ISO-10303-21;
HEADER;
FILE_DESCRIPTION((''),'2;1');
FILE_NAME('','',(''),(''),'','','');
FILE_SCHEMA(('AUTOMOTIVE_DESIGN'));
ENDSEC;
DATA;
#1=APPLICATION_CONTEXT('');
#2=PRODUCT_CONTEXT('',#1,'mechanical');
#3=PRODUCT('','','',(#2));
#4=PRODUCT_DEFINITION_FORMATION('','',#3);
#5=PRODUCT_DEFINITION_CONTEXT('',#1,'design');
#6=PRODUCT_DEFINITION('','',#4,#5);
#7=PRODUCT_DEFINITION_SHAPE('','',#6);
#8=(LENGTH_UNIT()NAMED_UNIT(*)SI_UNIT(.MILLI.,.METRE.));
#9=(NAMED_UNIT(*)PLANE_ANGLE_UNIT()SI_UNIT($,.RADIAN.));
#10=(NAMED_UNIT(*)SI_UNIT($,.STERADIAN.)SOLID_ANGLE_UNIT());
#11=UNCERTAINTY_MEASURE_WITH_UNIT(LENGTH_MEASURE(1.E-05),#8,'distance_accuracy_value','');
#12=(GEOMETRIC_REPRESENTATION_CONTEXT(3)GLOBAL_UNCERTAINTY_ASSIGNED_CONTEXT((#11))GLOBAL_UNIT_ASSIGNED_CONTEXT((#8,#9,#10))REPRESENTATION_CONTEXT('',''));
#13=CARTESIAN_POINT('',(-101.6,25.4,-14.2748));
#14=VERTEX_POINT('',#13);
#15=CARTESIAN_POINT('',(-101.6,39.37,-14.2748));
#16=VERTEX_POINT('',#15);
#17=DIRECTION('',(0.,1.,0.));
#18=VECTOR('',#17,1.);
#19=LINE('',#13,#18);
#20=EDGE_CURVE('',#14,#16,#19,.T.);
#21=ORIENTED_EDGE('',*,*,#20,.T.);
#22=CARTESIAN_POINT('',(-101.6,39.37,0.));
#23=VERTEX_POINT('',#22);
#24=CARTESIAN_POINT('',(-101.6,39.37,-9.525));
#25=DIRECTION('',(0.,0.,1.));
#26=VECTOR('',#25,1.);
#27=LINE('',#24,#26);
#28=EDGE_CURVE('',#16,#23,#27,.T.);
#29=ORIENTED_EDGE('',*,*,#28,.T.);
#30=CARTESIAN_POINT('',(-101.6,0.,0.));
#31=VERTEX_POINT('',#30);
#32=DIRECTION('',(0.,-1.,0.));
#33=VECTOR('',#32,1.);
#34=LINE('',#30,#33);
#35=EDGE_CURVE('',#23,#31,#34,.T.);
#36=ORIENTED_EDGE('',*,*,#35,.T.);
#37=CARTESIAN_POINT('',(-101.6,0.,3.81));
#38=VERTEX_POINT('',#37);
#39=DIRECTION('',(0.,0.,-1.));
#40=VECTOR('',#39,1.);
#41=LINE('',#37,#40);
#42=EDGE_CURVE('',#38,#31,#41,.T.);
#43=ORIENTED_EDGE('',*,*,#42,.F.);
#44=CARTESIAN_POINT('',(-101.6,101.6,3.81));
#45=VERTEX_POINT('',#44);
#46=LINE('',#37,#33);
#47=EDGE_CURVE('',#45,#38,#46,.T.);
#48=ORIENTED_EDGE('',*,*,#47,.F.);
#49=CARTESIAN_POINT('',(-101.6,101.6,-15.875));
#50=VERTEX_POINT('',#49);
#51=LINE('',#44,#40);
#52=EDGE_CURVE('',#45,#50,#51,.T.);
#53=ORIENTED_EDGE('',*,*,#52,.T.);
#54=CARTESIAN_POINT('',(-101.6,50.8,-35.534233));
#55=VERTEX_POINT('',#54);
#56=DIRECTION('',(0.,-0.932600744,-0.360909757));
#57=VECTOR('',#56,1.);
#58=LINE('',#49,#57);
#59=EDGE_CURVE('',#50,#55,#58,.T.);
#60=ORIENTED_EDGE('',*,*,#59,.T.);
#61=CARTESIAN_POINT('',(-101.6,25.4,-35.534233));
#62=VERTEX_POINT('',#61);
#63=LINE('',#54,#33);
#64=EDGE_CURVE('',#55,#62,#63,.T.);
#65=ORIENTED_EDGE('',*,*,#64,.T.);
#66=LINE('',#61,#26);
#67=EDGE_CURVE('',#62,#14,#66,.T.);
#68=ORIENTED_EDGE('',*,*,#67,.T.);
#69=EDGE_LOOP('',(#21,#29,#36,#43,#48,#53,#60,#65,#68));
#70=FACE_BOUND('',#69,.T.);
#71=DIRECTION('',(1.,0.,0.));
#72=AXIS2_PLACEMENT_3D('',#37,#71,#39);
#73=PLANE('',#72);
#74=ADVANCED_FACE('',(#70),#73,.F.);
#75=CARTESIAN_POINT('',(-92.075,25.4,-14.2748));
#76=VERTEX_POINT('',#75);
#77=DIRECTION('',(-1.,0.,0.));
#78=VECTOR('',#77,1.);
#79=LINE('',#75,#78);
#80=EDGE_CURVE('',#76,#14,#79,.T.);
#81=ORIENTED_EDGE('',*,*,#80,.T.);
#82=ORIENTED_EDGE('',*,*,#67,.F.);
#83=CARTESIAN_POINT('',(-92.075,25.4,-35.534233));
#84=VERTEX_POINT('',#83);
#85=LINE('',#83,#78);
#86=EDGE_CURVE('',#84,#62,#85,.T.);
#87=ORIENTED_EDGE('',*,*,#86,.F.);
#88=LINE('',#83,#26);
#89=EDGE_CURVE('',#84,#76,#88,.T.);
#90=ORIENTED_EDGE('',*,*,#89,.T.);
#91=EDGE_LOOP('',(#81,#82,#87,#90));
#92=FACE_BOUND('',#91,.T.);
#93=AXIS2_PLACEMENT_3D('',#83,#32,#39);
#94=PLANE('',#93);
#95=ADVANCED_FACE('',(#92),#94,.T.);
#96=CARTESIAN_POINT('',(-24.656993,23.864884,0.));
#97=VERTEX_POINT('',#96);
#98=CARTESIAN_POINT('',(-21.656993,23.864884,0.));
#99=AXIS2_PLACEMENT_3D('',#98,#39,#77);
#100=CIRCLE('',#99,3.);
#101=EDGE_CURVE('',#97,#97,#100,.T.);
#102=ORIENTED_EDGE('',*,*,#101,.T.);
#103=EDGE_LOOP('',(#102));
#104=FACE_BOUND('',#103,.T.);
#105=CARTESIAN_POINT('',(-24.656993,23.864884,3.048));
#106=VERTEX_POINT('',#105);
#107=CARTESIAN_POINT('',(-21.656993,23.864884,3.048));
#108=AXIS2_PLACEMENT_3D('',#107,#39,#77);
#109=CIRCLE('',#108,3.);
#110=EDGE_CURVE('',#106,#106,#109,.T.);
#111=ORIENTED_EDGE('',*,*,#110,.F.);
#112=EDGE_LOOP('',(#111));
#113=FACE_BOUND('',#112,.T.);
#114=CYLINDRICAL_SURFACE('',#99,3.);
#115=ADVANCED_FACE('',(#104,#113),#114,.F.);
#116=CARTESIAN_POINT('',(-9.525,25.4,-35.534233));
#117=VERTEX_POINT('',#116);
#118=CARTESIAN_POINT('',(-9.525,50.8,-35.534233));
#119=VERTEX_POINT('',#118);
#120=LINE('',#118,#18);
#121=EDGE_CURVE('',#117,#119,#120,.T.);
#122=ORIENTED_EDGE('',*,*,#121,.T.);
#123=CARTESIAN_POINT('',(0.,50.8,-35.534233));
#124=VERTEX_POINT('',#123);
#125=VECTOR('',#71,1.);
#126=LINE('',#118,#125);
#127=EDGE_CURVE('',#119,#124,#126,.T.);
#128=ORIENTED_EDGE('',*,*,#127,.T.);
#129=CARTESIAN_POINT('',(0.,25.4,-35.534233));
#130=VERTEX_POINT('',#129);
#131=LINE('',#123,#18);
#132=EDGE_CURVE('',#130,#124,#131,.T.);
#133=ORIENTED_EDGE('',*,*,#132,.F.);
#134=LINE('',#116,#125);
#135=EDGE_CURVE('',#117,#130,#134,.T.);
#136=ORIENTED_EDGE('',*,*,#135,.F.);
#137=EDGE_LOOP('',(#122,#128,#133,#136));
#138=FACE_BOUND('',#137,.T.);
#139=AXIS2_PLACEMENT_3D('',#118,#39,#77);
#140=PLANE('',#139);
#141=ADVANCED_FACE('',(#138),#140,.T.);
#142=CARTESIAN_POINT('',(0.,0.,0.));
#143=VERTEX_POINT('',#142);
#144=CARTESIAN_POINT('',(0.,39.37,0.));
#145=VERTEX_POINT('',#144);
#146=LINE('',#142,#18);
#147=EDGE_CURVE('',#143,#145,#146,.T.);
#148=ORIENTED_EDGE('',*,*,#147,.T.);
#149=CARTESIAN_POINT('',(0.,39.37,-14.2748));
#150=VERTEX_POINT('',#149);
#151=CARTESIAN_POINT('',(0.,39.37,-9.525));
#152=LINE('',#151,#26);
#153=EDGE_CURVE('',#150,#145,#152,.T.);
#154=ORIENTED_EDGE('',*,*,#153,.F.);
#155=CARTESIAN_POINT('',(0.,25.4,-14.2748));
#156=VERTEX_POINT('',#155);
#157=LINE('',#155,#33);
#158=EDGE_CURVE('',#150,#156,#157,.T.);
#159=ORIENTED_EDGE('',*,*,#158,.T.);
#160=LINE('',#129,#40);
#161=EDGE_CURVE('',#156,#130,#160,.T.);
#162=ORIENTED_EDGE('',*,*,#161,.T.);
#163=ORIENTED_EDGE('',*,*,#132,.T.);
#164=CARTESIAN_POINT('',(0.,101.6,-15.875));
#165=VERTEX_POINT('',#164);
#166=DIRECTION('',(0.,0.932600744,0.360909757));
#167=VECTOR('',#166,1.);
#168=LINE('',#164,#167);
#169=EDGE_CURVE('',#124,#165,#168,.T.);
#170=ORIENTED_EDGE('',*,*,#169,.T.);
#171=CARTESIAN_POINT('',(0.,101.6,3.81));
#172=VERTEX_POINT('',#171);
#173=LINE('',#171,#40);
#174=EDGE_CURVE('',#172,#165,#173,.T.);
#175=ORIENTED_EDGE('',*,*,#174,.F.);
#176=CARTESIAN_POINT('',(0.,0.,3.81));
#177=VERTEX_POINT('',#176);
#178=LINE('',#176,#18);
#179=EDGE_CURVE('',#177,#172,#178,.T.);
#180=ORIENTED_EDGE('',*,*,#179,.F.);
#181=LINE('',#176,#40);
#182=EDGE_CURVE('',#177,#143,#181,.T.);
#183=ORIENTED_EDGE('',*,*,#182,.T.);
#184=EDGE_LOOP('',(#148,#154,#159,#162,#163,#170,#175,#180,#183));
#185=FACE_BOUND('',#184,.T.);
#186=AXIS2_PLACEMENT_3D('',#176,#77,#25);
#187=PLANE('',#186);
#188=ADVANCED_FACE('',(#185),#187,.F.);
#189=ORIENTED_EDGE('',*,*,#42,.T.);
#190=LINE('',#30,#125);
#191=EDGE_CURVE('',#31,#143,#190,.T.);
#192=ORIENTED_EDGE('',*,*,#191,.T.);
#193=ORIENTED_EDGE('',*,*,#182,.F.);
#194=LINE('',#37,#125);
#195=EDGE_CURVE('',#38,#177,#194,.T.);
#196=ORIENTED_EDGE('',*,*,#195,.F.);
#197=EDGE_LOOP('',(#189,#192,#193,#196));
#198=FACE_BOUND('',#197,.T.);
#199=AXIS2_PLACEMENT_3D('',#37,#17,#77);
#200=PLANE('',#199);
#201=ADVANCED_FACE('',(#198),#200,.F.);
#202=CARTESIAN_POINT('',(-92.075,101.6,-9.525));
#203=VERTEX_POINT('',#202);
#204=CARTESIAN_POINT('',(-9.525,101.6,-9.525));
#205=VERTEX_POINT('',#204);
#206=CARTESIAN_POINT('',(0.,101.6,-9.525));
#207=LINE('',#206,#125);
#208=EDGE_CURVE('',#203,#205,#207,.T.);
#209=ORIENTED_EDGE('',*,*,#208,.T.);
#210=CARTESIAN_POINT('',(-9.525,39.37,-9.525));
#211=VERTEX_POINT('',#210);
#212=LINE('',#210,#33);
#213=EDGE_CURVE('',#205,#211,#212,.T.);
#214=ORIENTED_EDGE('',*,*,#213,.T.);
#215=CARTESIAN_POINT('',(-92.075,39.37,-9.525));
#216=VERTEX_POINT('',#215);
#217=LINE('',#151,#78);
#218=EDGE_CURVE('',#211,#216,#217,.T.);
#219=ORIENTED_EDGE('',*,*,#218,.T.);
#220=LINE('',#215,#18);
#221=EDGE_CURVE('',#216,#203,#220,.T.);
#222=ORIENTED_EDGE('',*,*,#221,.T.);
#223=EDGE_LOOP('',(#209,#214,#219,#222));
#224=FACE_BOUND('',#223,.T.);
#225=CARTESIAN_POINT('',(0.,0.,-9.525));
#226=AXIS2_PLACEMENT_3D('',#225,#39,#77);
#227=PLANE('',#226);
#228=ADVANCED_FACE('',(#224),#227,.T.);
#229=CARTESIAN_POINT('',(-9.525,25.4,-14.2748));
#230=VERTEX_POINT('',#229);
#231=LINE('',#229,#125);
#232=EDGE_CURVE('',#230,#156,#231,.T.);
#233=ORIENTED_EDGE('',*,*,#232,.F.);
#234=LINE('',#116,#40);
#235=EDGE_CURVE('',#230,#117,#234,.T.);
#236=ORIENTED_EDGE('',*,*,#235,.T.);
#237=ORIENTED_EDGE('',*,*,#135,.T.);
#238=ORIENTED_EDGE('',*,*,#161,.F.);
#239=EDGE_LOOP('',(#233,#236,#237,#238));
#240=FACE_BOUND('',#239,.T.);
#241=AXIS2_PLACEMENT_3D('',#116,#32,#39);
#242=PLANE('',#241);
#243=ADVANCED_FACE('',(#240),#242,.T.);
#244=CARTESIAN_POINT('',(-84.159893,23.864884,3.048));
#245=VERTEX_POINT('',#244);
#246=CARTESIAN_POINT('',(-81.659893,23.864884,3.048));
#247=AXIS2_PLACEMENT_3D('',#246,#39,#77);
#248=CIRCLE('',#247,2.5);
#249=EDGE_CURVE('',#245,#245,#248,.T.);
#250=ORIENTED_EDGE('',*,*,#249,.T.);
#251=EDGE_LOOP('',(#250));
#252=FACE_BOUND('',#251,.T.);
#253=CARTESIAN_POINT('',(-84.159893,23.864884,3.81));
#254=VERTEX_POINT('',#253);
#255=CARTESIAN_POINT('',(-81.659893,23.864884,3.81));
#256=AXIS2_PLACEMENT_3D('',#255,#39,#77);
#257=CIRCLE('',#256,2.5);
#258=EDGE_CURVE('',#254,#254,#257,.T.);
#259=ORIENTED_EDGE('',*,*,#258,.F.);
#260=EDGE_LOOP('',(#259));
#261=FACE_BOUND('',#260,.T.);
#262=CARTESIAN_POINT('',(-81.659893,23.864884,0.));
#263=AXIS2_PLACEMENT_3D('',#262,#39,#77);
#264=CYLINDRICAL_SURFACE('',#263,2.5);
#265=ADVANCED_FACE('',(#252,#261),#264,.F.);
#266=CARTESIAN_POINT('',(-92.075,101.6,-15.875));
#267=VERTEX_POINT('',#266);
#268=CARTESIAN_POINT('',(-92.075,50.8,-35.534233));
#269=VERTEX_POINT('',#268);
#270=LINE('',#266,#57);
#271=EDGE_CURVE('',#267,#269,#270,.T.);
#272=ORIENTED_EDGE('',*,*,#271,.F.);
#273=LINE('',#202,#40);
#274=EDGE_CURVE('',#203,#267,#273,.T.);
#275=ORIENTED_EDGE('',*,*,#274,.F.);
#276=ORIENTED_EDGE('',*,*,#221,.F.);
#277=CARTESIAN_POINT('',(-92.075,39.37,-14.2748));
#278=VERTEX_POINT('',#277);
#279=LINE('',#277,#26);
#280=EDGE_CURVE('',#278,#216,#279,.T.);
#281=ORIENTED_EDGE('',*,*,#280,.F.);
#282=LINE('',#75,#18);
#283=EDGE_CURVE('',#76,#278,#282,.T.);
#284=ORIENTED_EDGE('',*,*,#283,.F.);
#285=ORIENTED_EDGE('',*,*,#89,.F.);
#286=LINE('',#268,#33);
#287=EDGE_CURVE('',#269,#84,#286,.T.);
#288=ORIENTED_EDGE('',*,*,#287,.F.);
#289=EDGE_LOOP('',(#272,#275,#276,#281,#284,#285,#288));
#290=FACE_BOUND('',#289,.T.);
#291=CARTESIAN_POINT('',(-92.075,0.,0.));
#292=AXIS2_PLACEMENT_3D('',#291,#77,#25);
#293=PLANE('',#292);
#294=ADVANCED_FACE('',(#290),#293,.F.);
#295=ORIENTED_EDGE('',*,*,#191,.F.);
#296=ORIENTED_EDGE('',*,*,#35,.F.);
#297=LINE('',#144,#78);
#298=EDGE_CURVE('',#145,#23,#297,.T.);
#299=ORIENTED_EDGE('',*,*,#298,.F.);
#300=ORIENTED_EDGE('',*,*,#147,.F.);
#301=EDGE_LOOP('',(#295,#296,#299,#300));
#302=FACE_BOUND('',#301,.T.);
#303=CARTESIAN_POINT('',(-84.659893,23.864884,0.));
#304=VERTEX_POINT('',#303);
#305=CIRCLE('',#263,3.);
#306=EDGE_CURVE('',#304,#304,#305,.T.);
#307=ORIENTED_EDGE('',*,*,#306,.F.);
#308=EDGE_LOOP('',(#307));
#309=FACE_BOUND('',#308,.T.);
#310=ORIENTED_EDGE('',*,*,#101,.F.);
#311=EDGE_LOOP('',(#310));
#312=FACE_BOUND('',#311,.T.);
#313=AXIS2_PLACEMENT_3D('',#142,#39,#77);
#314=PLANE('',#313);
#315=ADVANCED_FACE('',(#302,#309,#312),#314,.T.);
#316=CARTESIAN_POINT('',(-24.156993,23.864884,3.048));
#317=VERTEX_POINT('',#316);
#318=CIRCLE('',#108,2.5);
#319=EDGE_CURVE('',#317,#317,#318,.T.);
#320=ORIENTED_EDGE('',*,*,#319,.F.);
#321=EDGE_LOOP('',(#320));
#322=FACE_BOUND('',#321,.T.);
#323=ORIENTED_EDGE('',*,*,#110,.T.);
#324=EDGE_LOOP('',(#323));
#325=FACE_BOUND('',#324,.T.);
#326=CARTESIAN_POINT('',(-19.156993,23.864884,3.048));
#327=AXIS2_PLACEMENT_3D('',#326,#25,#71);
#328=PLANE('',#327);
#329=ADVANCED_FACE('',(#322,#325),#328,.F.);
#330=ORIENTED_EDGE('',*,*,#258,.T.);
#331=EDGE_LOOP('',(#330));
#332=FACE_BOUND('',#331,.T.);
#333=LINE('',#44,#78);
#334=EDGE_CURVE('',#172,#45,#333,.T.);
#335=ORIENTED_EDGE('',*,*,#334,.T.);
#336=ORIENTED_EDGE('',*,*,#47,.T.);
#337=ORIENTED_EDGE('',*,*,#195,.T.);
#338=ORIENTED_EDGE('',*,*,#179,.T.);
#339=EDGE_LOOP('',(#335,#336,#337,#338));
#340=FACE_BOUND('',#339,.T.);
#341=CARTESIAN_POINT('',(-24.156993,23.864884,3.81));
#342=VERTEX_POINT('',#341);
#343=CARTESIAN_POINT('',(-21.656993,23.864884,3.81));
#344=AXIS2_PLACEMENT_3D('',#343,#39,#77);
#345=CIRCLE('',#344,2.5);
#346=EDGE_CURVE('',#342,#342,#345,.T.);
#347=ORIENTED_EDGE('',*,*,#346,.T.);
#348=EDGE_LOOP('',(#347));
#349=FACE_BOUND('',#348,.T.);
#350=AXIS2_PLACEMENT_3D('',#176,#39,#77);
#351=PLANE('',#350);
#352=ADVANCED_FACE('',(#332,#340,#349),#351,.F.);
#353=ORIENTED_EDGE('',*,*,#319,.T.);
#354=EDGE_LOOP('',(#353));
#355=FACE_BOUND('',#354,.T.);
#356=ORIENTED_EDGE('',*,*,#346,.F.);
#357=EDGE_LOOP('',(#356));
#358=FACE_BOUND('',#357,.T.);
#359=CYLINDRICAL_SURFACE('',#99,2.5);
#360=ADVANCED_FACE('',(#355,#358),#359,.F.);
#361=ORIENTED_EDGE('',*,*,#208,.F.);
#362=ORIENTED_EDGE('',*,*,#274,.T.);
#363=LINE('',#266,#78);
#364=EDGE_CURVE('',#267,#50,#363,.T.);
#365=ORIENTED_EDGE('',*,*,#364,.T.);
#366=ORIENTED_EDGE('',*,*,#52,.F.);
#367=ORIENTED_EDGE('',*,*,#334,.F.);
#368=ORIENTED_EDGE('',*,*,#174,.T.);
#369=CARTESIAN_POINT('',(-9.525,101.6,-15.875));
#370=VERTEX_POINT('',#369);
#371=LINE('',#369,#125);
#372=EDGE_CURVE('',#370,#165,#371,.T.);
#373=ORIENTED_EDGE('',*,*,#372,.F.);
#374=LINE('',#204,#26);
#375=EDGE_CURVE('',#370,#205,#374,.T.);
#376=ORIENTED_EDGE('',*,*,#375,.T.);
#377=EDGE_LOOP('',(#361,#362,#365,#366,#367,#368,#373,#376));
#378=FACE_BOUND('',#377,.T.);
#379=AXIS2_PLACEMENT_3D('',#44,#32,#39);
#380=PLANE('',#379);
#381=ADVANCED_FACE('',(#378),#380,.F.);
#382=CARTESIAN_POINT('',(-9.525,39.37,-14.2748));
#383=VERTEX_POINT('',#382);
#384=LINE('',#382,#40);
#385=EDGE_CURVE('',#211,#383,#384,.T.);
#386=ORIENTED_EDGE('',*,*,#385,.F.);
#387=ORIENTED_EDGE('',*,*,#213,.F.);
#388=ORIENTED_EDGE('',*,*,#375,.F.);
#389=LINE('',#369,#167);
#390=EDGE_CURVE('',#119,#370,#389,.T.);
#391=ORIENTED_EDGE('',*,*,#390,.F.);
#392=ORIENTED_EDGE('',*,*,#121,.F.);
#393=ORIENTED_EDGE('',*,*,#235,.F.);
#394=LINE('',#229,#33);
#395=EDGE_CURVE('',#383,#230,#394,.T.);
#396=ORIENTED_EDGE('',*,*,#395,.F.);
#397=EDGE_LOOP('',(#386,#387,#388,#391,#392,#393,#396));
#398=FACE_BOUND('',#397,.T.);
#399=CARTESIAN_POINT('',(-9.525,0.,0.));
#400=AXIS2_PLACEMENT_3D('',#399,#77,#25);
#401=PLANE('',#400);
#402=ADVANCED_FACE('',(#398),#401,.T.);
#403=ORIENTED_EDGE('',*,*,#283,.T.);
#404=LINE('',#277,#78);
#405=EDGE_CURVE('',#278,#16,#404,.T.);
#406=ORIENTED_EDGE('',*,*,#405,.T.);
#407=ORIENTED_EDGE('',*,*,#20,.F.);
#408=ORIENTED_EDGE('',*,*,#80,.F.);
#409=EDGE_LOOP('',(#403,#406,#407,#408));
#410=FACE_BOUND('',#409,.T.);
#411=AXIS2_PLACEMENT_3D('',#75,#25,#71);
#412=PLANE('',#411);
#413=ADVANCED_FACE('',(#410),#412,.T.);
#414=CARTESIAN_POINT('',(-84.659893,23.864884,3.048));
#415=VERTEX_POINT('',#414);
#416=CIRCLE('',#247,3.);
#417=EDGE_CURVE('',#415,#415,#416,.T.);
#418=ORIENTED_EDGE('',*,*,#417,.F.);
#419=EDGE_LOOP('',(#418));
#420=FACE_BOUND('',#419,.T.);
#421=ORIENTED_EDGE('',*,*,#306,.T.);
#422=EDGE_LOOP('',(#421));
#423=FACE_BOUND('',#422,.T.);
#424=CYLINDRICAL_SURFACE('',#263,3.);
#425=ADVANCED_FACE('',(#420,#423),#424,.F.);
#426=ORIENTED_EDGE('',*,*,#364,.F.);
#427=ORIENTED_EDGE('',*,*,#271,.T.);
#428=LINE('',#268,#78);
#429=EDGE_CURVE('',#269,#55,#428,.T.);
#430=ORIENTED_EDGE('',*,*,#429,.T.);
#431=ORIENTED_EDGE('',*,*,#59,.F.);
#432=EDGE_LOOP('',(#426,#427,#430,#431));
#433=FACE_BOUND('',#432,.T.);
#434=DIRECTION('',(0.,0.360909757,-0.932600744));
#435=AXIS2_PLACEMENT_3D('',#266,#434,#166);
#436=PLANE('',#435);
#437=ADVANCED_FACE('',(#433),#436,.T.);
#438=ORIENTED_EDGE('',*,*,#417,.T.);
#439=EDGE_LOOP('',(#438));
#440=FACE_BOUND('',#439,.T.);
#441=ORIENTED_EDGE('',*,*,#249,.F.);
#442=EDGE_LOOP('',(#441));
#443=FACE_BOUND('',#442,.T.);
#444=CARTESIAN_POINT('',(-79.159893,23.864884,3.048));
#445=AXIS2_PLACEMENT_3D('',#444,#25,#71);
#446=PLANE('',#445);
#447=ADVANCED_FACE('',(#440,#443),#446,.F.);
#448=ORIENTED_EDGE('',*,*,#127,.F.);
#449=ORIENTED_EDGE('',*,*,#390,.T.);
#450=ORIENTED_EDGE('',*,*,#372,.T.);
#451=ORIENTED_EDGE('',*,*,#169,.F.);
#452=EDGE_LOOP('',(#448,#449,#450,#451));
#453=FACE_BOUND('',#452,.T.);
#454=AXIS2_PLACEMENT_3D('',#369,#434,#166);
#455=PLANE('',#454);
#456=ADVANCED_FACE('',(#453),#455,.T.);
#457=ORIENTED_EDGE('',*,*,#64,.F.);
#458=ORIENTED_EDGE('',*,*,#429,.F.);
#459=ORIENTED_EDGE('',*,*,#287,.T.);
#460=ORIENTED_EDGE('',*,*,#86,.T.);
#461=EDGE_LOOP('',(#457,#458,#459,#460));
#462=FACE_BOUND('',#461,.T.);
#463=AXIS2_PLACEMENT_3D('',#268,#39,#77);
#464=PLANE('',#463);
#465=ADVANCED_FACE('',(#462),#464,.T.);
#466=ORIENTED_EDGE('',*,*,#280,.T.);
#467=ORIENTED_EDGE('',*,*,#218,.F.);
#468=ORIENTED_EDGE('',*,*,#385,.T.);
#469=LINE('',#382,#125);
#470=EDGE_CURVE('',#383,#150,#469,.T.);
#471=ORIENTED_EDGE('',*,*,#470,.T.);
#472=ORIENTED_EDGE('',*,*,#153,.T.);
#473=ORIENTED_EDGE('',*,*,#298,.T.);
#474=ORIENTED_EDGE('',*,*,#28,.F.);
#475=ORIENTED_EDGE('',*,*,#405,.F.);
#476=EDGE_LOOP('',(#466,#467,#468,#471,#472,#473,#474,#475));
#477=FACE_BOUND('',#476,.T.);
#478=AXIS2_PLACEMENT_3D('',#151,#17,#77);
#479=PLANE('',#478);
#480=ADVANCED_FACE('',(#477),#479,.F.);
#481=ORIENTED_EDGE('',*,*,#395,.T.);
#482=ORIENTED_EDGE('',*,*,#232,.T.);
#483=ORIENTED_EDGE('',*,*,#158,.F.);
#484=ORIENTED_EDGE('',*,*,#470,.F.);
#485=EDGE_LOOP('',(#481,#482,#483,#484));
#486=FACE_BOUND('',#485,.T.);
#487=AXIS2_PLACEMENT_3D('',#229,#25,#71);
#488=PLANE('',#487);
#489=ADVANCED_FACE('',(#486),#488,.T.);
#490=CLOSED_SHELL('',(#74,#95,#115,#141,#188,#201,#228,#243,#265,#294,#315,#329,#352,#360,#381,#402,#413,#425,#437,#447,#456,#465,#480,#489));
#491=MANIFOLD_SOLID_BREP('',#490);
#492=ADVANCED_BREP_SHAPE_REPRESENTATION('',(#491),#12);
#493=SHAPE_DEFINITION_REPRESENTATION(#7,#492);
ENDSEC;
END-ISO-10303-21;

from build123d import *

# Parameters (mm, degrees)
SKETCH1_W                       = 101.6
SKETCH1_H                       = 101.6
BOSS_EXTRUDE1_DEPTH             = 3.81
M6X1_0_TAPPED_HOLE1_D           = 5
M6X1_0_TAPPED_HOLE1_CBORE_D     = 6
M6X1_0_TAPPED_HOLE1_CBORE_DEPTH = 3.048
SKETCH4_W                       = 101.6
SKETCH4_H                       = 62.23
BOSS_EXTRUDE2_DEPTH             = 9.525
BOSS_EXTRUDE3_DEPTH             = 9.525
BOSS_EXTRUDE4_DEPTH             = 9.525


with BuildPart() as part:
    # Sketch1 → Boss-Extrude1 (new body)
    with BuildSketch(Plane.XY):
        with Locations((-50.8, 50.8)):
            Rectangle(SKETCH1_W, SKETCH1_H)
    extrude(amount=BOSS_EXTRUDE1_DEPTH)

    # M6x1.0 Tapped Hole1 (through all)
    with Locations(Plane(origin=(-50.8, -38.1, 0), x_dir=(-1, 0, 0), z_dir=(0, 0, -1))):
        with Locations((-29.14300736, 61.964884424), (30.859893074, 61.964884424)):
            CounterBoreHole(M6X1_0_TAPPED_HOLE1_D / 2, M6X1_0_TAPPED_HOLE1_CBORE_D / 2, M6X1_0_TAPPED_HOLE1_CBORE_DEPTH)

    # Sketch4 → Boss-Extrude2 (add)
    with BuildSketch(Plane(origin=(0, 0, 0), x_dir=(-1, 0, 0), z_dir=(0, 0, -1))):
        with Locations((50.8, 70.485)):
            Rectangle(SKETCH4_W, SKETCH4_H)
    extrude(amount=BOSS_EXTRUDE2_DEPTH)

    # Sketch5 → Boss-Extrude3 (add)
    with BuildSketch(Plane(origin=(0, 0, 0), x_dir=(0, 0, -1), z_dir=(1, 0, 0))):
        Polygon((9.525, 101.6), (15.875, 101.6), (35.534233385, 50.8), (35.534233385, 25.4), (14.2748, 25.4), (14.2748, 39.37), (9.525, 39.37), align=None)
    extrude(amount=-BOSS_EXTRUDE3_DEPTH)

    # Sketch6 → Boss-Extrude4 (add)
    with BuildSketch(Plane.ZY.offset(101.6)):
        Polygon((-9.525, 39.37), (-9.525, 101.6), (-15.875, 101.6), (-35.534233385, 50.8), (-35.534233385, 25.4), (-14.2748, 25.4), (-14.2748, 39.37), align=None)
    extrude(amount=-BOSS_EXTRUDE4_DEPTH)


solid = part.part
